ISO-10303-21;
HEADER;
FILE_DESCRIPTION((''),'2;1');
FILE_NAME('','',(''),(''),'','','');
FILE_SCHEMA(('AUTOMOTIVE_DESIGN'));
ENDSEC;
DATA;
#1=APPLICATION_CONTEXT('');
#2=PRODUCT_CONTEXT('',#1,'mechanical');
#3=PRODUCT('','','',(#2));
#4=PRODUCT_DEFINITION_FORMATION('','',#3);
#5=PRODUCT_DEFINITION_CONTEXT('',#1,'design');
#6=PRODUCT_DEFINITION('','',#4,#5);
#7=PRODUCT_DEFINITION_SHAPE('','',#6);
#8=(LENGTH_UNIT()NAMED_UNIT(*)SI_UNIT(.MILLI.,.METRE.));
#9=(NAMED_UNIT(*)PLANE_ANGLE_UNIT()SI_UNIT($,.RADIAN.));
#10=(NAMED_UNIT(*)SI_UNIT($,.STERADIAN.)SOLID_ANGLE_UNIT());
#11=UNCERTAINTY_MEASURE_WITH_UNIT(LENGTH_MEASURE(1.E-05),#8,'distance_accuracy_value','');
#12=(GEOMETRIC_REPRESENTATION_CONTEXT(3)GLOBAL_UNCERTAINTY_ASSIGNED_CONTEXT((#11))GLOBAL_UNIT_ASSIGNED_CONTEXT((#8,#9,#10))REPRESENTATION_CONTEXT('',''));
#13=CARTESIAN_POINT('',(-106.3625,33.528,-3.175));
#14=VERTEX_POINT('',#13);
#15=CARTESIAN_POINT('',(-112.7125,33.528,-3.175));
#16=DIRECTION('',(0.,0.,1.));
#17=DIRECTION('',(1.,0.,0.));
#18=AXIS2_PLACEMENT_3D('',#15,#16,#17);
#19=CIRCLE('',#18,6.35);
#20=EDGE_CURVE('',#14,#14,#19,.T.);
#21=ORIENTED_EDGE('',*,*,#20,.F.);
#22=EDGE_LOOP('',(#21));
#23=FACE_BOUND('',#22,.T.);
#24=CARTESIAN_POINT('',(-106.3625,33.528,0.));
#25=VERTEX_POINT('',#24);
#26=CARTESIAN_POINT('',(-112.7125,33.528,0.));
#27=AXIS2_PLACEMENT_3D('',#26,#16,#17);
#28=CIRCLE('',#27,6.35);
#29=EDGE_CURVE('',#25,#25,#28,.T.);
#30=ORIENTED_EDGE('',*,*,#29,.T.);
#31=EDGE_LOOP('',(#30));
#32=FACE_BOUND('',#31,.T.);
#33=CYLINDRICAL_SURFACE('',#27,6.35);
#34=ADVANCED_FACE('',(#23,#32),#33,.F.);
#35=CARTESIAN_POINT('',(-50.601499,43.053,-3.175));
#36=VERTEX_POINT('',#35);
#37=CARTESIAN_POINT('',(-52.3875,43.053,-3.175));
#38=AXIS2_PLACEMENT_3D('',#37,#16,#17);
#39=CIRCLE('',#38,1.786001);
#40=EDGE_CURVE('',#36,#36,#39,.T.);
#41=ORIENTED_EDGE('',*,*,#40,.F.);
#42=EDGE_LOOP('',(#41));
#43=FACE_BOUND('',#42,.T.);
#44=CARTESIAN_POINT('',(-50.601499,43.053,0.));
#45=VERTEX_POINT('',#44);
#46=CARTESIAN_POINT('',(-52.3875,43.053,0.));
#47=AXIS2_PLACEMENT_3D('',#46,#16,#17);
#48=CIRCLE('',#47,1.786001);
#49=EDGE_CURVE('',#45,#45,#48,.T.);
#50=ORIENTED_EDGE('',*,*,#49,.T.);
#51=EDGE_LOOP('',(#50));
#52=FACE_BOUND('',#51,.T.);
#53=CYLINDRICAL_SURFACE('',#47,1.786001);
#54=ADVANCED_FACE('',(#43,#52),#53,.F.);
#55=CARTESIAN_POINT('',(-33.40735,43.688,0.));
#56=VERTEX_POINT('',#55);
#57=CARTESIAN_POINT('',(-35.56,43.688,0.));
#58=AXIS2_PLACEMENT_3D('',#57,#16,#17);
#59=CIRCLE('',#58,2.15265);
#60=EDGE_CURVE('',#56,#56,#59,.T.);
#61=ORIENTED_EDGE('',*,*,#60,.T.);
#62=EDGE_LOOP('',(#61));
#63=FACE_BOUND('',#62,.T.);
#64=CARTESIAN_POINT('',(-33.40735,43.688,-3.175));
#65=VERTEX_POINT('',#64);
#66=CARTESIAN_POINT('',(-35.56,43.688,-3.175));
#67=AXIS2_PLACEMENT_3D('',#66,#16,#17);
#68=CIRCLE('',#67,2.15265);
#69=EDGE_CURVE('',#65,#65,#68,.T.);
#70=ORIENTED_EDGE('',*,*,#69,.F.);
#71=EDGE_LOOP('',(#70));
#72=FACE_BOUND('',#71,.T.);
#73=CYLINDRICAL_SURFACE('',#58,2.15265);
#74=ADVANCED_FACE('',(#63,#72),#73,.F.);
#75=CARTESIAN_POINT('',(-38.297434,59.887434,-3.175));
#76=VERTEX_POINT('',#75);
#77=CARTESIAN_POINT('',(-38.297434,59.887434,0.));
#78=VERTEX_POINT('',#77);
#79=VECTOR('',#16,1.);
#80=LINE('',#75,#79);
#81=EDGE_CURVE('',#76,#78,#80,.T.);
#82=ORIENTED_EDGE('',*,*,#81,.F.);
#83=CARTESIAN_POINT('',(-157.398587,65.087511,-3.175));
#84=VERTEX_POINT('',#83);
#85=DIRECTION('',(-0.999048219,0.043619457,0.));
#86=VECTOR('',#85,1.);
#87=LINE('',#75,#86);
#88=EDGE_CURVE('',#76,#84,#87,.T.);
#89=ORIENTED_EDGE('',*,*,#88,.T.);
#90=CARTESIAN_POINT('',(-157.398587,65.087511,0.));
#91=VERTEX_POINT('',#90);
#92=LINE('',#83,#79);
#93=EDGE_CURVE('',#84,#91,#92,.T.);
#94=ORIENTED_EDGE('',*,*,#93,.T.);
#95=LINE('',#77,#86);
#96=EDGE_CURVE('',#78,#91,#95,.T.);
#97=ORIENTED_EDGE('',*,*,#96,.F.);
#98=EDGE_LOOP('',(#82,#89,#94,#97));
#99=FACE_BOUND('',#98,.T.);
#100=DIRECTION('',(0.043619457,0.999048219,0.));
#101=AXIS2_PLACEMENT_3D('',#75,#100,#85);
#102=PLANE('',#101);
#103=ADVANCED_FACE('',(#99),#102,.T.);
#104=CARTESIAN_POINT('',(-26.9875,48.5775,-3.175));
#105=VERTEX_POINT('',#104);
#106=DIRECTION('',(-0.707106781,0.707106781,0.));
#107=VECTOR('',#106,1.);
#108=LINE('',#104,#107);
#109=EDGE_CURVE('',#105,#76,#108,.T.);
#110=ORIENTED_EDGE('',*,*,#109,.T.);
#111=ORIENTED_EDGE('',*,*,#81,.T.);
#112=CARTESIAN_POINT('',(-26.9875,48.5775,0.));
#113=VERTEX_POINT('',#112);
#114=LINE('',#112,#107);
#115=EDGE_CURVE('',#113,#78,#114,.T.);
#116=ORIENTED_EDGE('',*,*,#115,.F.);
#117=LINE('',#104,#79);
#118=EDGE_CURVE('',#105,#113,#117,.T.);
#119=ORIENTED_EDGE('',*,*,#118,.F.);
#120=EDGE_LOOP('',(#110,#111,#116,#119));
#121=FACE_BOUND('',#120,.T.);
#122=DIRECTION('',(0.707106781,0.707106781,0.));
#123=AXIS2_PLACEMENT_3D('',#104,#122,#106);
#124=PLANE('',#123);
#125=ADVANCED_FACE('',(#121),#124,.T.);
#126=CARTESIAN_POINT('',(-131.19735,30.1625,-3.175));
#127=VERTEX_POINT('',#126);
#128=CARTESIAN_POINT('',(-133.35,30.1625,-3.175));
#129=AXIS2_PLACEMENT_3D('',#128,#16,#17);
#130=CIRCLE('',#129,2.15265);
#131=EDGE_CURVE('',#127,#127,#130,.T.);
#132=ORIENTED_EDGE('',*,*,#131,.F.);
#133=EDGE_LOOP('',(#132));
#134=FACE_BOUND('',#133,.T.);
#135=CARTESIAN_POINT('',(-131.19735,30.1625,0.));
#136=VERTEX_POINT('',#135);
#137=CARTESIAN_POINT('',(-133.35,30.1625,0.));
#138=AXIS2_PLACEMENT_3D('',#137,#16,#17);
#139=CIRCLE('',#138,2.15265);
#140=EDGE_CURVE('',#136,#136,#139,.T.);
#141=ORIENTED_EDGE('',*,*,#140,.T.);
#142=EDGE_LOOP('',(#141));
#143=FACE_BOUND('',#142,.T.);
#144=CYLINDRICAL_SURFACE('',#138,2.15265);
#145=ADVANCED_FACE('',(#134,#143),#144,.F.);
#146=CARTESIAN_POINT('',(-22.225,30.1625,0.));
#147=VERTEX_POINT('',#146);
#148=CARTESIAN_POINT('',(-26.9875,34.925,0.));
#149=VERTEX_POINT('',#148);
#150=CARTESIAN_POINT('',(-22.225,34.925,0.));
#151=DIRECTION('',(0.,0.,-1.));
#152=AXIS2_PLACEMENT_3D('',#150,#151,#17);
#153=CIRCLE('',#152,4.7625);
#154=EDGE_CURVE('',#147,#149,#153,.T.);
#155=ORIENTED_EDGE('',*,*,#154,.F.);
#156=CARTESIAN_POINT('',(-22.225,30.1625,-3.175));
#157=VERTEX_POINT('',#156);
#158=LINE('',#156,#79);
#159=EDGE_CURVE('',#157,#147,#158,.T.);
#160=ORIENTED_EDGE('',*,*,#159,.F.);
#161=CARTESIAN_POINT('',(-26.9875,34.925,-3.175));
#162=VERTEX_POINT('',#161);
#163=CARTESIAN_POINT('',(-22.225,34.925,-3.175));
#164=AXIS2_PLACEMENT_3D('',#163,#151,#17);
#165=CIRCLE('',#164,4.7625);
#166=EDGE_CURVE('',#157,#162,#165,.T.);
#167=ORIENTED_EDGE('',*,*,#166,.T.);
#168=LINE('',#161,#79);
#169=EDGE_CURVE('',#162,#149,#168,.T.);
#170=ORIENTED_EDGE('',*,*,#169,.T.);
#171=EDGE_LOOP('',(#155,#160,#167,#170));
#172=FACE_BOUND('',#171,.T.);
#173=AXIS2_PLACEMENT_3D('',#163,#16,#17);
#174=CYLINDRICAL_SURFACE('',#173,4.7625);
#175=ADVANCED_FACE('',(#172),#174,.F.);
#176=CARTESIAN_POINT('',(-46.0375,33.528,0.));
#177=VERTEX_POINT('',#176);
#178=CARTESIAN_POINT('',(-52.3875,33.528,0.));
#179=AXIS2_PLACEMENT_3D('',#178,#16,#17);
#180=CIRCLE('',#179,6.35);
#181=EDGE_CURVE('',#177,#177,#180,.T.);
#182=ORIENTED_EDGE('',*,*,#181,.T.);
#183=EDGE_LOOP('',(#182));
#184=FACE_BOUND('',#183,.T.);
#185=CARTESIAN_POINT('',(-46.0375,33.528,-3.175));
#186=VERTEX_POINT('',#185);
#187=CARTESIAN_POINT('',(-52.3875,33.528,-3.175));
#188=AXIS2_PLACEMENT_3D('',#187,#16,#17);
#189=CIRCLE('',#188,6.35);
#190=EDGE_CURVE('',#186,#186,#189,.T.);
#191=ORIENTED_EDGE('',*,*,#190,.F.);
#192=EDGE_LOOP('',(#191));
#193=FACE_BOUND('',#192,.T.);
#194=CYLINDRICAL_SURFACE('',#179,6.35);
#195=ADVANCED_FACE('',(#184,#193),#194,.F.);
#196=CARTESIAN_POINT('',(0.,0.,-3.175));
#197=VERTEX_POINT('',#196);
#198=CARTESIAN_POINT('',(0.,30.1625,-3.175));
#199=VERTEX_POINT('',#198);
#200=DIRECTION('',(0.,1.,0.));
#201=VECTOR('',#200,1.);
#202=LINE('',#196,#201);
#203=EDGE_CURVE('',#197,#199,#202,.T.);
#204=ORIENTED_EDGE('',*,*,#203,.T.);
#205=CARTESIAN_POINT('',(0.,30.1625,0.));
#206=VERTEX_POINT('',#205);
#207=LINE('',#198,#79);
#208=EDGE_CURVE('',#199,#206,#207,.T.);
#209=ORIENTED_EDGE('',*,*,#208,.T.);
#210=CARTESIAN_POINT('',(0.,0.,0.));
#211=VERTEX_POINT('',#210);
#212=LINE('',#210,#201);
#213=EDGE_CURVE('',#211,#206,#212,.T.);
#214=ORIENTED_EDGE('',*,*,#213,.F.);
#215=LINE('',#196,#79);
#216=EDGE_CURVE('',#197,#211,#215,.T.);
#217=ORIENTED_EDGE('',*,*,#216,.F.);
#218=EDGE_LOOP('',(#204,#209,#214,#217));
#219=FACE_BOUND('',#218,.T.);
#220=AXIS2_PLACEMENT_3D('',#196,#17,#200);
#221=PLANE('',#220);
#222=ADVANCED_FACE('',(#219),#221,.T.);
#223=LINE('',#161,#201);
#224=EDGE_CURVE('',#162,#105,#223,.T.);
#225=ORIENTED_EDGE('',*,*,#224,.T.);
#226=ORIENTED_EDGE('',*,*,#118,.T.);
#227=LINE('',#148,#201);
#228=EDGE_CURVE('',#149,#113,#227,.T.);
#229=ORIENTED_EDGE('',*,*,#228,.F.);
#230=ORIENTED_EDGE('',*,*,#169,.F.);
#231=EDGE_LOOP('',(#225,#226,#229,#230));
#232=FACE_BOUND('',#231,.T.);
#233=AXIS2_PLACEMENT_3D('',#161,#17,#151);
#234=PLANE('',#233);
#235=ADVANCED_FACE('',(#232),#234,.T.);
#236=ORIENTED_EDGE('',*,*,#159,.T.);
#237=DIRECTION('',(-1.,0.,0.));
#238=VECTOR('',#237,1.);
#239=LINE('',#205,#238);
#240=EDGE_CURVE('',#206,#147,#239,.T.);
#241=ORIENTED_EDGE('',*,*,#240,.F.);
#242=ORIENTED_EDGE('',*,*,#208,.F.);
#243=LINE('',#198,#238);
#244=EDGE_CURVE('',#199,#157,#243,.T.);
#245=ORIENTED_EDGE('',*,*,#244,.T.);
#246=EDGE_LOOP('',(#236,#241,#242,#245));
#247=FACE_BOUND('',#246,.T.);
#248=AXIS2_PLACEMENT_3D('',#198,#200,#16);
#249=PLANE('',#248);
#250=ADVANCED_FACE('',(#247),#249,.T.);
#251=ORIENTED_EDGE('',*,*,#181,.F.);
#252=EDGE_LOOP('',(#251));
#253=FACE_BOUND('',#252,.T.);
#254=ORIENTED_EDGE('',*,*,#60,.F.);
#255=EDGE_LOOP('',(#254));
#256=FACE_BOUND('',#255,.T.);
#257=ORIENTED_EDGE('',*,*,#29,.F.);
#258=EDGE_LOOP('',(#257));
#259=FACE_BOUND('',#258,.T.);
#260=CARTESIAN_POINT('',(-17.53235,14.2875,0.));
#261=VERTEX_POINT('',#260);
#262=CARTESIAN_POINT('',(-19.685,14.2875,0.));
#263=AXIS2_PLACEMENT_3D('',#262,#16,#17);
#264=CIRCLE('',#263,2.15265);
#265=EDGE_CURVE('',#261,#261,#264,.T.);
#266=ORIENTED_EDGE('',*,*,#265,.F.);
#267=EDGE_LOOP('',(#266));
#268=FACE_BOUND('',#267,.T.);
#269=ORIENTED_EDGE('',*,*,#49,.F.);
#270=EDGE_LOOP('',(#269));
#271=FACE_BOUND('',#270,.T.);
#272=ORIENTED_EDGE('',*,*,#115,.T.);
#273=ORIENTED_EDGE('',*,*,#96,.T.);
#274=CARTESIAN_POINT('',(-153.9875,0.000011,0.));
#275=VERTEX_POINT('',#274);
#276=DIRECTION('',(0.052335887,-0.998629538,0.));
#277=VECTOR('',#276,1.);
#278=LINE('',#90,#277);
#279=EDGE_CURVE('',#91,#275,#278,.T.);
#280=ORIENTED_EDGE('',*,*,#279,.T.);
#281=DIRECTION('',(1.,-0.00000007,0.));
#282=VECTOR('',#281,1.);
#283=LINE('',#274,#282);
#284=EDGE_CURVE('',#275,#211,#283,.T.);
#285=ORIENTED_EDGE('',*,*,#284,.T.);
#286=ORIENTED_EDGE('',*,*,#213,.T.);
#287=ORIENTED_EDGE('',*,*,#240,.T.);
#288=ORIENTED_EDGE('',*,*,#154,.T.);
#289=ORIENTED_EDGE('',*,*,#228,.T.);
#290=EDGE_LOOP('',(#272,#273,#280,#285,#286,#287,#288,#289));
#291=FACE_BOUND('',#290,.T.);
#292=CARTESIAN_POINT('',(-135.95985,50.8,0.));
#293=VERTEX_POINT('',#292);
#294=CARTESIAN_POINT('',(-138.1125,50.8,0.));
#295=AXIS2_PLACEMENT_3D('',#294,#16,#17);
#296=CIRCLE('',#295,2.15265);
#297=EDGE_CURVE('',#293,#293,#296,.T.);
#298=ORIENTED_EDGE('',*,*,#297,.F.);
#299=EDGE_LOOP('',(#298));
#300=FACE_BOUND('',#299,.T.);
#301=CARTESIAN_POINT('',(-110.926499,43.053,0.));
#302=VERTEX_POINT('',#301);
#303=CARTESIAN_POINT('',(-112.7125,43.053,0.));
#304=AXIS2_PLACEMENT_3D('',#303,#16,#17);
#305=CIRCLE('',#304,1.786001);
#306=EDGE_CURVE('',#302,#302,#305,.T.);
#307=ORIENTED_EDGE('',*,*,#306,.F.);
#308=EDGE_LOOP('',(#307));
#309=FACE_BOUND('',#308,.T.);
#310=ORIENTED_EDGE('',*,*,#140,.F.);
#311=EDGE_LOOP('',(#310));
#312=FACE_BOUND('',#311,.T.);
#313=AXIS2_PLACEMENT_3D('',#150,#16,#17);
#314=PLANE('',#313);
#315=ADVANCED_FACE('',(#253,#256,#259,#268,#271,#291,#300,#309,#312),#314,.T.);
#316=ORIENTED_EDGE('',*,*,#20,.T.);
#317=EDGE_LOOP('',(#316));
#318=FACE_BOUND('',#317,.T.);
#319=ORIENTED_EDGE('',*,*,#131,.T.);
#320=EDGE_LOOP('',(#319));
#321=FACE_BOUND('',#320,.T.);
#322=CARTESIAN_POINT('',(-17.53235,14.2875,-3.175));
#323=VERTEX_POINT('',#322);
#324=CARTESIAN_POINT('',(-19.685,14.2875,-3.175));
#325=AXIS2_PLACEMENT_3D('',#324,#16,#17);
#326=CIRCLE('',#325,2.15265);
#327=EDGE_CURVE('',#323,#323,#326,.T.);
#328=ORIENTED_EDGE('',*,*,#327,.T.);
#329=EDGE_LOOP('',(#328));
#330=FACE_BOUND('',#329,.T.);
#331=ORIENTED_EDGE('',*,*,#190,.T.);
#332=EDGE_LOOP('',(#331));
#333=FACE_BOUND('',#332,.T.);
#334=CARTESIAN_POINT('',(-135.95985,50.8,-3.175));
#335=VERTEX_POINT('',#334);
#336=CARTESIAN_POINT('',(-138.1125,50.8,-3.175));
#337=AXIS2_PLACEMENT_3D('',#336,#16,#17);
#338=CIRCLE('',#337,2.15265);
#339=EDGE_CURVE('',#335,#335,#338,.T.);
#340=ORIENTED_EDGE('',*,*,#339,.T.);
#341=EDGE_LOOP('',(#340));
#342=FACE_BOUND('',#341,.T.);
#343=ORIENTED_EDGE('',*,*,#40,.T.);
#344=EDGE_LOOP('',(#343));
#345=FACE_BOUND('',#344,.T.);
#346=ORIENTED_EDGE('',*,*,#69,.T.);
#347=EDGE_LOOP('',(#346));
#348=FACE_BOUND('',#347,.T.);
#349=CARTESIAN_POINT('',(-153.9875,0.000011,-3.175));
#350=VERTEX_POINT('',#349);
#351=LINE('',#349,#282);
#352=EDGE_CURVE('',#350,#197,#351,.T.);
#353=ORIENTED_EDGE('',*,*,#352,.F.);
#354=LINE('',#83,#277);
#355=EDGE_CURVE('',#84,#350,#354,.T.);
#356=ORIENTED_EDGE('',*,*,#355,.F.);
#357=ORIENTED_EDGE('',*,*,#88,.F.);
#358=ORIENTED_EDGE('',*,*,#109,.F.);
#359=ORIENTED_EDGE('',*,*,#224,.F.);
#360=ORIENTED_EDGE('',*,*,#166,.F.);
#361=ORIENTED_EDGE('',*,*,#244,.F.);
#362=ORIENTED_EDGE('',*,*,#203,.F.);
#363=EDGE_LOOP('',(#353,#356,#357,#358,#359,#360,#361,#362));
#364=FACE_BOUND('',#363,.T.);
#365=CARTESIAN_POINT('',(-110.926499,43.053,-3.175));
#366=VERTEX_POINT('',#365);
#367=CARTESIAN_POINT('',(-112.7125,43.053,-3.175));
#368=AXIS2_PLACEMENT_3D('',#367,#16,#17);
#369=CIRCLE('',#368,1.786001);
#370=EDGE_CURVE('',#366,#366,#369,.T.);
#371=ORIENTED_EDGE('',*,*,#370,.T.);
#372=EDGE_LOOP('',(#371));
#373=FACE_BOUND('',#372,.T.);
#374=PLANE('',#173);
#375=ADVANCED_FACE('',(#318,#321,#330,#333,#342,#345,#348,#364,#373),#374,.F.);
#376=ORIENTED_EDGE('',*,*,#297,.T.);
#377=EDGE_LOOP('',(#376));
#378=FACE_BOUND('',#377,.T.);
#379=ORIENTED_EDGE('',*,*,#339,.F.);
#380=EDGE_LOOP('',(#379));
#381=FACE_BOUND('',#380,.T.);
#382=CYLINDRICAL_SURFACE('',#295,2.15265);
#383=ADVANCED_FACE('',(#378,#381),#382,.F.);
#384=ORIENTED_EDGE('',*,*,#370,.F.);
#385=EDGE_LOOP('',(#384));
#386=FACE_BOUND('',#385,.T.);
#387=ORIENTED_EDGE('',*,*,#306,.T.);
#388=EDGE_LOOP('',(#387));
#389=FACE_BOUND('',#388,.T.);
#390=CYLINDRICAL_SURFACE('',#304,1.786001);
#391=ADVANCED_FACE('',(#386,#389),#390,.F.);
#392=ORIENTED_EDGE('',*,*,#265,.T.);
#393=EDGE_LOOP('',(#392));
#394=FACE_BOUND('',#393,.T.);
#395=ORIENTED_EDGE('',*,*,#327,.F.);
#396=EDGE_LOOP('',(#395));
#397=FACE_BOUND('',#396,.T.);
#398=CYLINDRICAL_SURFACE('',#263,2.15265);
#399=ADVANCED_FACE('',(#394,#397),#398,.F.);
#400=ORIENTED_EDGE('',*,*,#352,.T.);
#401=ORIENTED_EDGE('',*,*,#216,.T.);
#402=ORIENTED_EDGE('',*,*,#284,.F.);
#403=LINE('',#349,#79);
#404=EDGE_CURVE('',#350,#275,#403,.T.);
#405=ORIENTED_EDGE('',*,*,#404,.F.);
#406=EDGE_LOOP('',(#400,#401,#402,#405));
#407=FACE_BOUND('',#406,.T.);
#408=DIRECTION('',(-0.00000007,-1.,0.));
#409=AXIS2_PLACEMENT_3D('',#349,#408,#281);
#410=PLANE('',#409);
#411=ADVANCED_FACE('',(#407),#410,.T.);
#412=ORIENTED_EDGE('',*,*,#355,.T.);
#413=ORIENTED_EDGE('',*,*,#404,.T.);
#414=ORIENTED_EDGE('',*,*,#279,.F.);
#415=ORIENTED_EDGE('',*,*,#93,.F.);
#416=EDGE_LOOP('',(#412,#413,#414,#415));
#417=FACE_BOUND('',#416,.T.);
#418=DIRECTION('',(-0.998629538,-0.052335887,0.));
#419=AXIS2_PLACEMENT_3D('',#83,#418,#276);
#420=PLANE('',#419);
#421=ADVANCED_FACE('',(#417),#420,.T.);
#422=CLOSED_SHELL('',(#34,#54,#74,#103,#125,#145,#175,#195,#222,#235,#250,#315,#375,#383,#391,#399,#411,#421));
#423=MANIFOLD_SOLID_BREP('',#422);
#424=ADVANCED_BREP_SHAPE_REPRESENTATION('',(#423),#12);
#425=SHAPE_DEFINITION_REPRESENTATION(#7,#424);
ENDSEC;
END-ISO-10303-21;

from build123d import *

# Parameters (mm, degrees)
BOSS_EXTRUDE1_DEPTH             = 3.175
F_1_2_0_5_DIAMETER_HOLE1_D      = 12.7
F_9_64_0_14063_DIAMETER_HOLE1_D = 3.572002
F_6_CLEARANCE_HOLE1_D           = 4.3053
F_6_CLEARANCE_HOLE2_D           = 4.3053


with BuildPart() as part:
    # Sketch1 → Boss-Extrude1 (new body)
    with BuildSketch(Plane.XY):
        with BuildLine():
            Line((-26.9875, 34.925), (-26.9875, 48.5775))
            Line((-26.9875, 48.5775), (-38.29743402, 59.88743402))
            Line((-38.29743402, 59.88743402), (-157.398586801, 65.087510963))
            Line((-157.398586801, 65.087510963), (-153.9875, 1.0725e-05))
            Line((-153.9875, 1.0725e-05), (0, 0))
            Line((0, 0), (0, 30.1625))
            Line((0, 30.1625), (-22.225, 30.1625))
            ThreePointArc((-22.225, 30.1625), (-25.592596045, 31.557403955), (-26.9875, 34.925))
        make_face()
    extrude(amount=-BOSS_EXTRUDE1_DEPTH)

    # 1/2 (0.5) Diameter Hole1 (through all)
    with Locations(Plane.XY):
        with Locations((-112.7125, 33.528), (-52.3875, 33.528)):
            Hole(F_1_2_0_5_DIAMETER_HOLE1_D / 2)

    # 9/64 (0.14063) Diameter Hole1 (through all)
    with Locations(Plane.XY):
        with Locations((-112.7125, 43.053), (-52.3875, 43.053)):
            Hole(F_9_64_0_14063_DIAMETER_HOLE1_D / 2)

    # #6 Clearance Hole1 (through all)
    with Locations(Plane.XY):
        with Locations((-133.35, 30.1625), (-35.56, 43.688)):
            Hole(F_6_CLEARANCE_HOLE1_D / 2)

    # #6 Clearance Hole2 (through all)
    with Locations(Plane.XY):
        with Locations((-138.1125, 50.8), (-19.685, 14.2875)):
            Hole(F_6_CLEARANCE_HOLE2_D / 2)


solid = part.part
